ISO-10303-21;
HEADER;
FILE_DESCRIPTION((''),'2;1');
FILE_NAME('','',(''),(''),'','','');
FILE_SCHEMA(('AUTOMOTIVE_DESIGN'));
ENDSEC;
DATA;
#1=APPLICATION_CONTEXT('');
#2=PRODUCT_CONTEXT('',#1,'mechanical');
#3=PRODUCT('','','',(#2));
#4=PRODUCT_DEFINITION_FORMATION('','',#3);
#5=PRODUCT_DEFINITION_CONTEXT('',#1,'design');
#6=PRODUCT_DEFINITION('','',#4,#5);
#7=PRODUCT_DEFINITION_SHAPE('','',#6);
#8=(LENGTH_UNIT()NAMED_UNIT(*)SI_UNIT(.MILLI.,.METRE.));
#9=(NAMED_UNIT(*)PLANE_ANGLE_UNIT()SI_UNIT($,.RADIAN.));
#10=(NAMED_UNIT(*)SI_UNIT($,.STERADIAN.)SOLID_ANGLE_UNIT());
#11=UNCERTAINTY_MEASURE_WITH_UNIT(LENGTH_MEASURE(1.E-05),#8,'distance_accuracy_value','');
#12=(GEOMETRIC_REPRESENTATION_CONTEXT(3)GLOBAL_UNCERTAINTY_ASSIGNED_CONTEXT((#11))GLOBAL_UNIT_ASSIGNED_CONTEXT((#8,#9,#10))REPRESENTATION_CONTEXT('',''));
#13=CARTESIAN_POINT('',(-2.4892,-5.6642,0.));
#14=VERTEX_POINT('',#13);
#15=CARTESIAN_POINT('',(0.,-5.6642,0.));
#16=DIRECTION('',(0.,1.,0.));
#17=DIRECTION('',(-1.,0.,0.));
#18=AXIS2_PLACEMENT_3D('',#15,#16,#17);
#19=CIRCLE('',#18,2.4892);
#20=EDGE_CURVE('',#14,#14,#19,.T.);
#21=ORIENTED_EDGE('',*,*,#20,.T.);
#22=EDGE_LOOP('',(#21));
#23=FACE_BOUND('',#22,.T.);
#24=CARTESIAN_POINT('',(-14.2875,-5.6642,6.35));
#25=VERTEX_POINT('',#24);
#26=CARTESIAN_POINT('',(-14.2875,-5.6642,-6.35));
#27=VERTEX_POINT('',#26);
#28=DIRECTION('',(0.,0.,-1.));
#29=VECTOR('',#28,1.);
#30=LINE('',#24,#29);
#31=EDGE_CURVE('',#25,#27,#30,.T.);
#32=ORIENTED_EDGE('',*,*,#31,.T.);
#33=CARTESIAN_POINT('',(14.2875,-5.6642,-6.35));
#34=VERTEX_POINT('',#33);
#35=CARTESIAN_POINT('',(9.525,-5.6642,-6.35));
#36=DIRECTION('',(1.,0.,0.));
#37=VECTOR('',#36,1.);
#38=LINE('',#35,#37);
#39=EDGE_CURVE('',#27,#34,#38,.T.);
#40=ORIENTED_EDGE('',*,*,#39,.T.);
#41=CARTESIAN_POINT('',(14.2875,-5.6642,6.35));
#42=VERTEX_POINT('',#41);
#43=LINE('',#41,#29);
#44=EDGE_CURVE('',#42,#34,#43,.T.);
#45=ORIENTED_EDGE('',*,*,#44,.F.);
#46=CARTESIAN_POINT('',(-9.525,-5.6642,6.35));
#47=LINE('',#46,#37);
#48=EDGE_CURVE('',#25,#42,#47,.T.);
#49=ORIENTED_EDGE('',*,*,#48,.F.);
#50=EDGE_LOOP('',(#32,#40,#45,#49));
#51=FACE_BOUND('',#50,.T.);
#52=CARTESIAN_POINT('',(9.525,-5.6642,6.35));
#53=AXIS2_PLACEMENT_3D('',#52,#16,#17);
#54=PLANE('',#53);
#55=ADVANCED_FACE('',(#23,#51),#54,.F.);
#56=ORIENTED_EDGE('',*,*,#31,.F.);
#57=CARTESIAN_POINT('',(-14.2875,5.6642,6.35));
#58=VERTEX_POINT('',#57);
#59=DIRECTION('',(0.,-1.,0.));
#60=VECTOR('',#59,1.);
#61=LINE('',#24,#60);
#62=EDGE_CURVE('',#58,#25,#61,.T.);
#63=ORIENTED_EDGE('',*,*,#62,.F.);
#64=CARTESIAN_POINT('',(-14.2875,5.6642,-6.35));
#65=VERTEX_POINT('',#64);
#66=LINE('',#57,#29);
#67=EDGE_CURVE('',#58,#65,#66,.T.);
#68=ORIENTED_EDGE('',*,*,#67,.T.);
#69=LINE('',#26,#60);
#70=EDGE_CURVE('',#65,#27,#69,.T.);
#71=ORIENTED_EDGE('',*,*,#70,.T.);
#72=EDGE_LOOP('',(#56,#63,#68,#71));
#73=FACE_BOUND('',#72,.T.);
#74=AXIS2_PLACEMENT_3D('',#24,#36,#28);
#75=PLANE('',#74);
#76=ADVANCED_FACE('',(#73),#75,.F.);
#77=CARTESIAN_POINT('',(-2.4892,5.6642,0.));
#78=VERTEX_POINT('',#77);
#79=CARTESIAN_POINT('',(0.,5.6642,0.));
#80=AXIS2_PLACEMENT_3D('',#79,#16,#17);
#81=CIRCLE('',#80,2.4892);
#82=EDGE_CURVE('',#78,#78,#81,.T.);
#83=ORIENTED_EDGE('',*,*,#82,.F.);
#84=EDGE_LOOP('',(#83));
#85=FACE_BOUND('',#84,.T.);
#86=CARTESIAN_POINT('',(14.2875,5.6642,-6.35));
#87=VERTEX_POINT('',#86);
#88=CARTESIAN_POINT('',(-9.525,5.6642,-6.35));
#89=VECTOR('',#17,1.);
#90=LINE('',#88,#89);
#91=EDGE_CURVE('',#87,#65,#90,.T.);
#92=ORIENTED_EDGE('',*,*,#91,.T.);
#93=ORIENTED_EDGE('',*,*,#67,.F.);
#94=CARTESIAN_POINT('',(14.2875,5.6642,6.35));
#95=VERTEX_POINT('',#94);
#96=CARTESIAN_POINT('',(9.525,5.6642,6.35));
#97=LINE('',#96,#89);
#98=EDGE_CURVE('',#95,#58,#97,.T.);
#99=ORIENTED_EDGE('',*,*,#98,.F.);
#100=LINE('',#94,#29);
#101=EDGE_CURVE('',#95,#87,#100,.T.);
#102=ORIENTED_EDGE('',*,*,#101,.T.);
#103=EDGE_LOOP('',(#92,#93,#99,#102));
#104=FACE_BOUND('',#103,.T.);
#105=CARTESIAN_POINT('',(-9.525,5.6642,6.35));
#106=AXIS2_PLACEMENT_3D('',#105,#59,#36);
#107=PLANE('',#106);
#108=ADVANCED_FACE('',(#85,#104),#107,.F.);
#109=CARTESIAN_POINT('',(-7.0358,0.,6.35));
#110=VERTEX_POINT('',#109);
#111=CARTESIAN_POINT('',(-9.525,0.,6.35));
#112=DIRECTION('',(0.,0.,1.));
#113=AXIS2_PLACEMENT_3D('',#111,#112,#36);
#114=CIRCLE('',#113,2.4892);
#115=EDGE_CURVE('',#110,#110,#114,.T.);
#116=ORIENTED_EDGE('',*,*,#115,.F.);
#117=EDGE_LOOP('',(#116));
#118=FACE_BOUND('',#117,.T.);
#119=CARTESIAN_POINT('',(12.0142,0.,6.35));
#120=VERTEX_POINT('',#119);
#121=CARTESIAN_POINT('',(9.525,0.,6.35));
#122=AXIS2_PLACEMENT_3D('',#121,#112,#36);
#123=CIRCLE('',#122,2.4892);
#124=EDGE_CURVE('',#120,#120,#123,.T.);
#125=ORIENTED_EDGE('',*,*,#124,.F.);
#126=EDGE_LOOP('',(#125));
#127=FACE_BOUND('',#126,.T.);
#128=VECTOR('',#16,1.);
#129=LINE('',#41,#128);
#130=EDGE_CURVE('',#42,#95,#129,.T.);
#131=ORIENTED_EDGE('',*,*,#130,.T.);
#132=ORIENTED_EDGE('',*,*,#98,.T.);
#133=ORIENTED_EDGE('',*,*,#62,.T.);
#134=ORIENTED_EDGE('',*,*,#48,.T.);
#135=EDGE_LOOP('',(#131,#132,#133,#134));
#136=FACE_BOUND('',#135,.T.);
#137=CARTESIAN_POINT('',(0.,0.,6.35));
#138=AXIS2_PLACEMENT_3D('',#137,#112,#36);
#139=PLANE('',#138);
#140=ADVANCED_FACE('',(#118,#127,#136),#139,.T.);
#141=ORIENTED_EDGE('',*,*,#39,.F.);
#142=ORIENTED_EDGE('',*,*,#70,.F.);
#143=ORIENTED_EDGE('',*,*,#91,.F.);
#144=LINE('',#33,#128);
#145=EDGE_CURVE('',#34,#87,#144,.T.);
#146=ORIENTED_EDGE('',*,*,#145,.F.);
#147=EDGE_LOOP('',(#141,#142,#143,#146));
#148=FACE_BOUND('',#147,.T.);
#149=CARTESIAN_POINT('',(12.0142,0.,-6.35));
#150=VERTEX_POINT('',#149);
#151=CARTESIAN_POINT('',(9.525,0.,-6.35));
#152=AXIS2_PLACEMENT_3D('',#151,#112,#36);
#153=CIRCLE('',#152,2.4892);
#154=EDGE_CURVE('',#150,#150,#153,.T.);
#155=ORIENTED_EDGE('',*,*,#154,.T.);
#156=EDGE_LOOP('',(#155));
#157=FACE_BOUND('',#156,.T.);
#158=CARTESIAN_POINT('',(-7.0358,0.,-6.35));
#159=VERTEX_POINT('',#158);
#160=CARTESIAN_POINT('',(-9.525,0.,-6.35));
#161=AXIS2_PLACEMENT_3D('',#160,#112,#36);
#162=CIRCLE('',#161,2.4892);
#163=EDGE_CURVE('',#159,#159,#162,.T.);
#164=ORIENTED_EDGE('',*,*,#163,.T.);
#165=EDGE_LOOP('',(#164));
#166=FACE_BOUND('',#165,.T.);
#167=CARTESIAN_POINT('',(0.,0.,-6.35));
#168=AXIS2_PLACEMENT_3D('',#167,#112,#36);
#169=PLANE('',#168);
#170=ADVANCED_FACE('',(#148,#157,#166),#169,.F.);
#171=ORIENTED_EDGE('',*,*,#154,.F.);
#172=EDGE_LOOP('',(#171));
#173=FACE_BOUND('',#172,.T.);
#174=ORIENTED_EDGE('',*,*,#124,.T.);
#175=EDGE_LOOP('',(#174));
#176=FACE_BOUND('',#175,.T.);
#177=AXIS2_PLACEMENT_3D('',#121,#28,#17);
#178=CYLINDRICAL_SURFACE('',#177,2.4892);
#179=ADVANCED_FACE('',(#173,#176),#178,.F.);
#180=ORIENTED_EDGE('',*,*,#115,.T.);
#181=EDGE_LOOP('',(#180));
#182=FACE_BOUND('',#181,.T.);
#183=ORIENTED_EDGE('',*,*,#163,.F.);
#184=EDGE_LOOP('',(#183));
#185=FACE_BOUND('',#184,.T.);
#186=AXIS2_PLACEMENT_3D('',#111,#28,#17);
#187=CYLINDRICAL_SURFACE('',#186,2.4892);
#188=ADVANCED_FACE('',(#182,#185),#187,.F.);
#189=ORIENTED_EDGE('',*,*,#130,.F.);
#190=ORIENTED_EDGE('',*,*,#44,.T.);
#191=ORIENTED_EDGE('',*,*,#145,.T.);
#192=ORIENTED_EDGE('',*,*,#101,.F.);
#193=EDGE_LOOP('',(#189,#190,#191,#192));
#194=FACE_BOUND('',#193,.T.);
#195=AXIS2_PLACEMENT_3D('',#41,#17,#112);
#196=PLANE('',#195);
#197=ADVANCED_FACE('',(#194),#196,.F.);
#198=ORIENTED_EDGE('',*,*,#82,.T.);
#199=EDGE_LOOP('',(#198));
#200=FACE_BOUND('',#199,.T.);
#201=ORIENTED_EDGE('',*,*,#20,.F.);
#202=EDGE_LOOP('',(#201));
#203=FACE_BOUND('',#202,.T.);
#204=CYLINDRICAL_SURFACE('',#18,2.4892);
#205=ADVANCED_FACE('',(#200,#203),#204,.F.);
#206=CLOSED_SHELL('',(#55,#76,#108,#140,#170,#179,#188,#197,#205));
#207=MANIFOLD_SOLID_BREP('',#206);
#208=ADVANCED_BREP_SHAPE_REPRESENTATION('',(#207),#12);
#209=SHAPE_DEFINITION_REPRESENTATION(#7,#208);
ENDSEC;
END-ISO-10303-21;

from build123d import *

# Parameters (mm, degrees)
SKETCH1_R           = 2.4892
BOSS_EXTRUDE1_DEPTH = 6.35
SKETCH3_R           = 2.4892
CUT_EXTRUDE1_DEPTH  = 20.307713557


with BuildPart() as part:
    # Sketch1 → Boss-Extrude1 (new, symmetric)
    with BuildSketch(Plane.XY):
        Polygon((-9.525, -5.6642), (9.525, -5.6642), (14.2875, -5.6642), (14.2875, 5.6642), (9.525, 5.6642), (-9.525, 5.6642), (-14.2875, 5.6642), (-14.2875, -5.6642), align=None)
        with Locations((-9.525, 0)):
            Circle(SKETCH1_R, mode=Mode.SUBTRACT)
        with Locations((9.525, 0)):
            Circle(SKETCH1_R, mode=Mode.SUBTRACT)
    extrude(amount=BOSS_EXTRUDE1_DEPTH, both=True)

    # Sketch3 → Cut-Extrude1 (cut, through all)
    with BuildSketch(Plane(origin=(0, 5.6642, 0), x_dir=(1, 0, 0), z_dir=(0, 1, 0))):
        with Locations(Location((0, 0, 0), (0, 0, 180))):
            Circle(SKETCH3_R)
    extrude(amount=-CUT_EXTRUDE1_DEPTH, mode=Mode.SUBTRACT)


solid = part.part
